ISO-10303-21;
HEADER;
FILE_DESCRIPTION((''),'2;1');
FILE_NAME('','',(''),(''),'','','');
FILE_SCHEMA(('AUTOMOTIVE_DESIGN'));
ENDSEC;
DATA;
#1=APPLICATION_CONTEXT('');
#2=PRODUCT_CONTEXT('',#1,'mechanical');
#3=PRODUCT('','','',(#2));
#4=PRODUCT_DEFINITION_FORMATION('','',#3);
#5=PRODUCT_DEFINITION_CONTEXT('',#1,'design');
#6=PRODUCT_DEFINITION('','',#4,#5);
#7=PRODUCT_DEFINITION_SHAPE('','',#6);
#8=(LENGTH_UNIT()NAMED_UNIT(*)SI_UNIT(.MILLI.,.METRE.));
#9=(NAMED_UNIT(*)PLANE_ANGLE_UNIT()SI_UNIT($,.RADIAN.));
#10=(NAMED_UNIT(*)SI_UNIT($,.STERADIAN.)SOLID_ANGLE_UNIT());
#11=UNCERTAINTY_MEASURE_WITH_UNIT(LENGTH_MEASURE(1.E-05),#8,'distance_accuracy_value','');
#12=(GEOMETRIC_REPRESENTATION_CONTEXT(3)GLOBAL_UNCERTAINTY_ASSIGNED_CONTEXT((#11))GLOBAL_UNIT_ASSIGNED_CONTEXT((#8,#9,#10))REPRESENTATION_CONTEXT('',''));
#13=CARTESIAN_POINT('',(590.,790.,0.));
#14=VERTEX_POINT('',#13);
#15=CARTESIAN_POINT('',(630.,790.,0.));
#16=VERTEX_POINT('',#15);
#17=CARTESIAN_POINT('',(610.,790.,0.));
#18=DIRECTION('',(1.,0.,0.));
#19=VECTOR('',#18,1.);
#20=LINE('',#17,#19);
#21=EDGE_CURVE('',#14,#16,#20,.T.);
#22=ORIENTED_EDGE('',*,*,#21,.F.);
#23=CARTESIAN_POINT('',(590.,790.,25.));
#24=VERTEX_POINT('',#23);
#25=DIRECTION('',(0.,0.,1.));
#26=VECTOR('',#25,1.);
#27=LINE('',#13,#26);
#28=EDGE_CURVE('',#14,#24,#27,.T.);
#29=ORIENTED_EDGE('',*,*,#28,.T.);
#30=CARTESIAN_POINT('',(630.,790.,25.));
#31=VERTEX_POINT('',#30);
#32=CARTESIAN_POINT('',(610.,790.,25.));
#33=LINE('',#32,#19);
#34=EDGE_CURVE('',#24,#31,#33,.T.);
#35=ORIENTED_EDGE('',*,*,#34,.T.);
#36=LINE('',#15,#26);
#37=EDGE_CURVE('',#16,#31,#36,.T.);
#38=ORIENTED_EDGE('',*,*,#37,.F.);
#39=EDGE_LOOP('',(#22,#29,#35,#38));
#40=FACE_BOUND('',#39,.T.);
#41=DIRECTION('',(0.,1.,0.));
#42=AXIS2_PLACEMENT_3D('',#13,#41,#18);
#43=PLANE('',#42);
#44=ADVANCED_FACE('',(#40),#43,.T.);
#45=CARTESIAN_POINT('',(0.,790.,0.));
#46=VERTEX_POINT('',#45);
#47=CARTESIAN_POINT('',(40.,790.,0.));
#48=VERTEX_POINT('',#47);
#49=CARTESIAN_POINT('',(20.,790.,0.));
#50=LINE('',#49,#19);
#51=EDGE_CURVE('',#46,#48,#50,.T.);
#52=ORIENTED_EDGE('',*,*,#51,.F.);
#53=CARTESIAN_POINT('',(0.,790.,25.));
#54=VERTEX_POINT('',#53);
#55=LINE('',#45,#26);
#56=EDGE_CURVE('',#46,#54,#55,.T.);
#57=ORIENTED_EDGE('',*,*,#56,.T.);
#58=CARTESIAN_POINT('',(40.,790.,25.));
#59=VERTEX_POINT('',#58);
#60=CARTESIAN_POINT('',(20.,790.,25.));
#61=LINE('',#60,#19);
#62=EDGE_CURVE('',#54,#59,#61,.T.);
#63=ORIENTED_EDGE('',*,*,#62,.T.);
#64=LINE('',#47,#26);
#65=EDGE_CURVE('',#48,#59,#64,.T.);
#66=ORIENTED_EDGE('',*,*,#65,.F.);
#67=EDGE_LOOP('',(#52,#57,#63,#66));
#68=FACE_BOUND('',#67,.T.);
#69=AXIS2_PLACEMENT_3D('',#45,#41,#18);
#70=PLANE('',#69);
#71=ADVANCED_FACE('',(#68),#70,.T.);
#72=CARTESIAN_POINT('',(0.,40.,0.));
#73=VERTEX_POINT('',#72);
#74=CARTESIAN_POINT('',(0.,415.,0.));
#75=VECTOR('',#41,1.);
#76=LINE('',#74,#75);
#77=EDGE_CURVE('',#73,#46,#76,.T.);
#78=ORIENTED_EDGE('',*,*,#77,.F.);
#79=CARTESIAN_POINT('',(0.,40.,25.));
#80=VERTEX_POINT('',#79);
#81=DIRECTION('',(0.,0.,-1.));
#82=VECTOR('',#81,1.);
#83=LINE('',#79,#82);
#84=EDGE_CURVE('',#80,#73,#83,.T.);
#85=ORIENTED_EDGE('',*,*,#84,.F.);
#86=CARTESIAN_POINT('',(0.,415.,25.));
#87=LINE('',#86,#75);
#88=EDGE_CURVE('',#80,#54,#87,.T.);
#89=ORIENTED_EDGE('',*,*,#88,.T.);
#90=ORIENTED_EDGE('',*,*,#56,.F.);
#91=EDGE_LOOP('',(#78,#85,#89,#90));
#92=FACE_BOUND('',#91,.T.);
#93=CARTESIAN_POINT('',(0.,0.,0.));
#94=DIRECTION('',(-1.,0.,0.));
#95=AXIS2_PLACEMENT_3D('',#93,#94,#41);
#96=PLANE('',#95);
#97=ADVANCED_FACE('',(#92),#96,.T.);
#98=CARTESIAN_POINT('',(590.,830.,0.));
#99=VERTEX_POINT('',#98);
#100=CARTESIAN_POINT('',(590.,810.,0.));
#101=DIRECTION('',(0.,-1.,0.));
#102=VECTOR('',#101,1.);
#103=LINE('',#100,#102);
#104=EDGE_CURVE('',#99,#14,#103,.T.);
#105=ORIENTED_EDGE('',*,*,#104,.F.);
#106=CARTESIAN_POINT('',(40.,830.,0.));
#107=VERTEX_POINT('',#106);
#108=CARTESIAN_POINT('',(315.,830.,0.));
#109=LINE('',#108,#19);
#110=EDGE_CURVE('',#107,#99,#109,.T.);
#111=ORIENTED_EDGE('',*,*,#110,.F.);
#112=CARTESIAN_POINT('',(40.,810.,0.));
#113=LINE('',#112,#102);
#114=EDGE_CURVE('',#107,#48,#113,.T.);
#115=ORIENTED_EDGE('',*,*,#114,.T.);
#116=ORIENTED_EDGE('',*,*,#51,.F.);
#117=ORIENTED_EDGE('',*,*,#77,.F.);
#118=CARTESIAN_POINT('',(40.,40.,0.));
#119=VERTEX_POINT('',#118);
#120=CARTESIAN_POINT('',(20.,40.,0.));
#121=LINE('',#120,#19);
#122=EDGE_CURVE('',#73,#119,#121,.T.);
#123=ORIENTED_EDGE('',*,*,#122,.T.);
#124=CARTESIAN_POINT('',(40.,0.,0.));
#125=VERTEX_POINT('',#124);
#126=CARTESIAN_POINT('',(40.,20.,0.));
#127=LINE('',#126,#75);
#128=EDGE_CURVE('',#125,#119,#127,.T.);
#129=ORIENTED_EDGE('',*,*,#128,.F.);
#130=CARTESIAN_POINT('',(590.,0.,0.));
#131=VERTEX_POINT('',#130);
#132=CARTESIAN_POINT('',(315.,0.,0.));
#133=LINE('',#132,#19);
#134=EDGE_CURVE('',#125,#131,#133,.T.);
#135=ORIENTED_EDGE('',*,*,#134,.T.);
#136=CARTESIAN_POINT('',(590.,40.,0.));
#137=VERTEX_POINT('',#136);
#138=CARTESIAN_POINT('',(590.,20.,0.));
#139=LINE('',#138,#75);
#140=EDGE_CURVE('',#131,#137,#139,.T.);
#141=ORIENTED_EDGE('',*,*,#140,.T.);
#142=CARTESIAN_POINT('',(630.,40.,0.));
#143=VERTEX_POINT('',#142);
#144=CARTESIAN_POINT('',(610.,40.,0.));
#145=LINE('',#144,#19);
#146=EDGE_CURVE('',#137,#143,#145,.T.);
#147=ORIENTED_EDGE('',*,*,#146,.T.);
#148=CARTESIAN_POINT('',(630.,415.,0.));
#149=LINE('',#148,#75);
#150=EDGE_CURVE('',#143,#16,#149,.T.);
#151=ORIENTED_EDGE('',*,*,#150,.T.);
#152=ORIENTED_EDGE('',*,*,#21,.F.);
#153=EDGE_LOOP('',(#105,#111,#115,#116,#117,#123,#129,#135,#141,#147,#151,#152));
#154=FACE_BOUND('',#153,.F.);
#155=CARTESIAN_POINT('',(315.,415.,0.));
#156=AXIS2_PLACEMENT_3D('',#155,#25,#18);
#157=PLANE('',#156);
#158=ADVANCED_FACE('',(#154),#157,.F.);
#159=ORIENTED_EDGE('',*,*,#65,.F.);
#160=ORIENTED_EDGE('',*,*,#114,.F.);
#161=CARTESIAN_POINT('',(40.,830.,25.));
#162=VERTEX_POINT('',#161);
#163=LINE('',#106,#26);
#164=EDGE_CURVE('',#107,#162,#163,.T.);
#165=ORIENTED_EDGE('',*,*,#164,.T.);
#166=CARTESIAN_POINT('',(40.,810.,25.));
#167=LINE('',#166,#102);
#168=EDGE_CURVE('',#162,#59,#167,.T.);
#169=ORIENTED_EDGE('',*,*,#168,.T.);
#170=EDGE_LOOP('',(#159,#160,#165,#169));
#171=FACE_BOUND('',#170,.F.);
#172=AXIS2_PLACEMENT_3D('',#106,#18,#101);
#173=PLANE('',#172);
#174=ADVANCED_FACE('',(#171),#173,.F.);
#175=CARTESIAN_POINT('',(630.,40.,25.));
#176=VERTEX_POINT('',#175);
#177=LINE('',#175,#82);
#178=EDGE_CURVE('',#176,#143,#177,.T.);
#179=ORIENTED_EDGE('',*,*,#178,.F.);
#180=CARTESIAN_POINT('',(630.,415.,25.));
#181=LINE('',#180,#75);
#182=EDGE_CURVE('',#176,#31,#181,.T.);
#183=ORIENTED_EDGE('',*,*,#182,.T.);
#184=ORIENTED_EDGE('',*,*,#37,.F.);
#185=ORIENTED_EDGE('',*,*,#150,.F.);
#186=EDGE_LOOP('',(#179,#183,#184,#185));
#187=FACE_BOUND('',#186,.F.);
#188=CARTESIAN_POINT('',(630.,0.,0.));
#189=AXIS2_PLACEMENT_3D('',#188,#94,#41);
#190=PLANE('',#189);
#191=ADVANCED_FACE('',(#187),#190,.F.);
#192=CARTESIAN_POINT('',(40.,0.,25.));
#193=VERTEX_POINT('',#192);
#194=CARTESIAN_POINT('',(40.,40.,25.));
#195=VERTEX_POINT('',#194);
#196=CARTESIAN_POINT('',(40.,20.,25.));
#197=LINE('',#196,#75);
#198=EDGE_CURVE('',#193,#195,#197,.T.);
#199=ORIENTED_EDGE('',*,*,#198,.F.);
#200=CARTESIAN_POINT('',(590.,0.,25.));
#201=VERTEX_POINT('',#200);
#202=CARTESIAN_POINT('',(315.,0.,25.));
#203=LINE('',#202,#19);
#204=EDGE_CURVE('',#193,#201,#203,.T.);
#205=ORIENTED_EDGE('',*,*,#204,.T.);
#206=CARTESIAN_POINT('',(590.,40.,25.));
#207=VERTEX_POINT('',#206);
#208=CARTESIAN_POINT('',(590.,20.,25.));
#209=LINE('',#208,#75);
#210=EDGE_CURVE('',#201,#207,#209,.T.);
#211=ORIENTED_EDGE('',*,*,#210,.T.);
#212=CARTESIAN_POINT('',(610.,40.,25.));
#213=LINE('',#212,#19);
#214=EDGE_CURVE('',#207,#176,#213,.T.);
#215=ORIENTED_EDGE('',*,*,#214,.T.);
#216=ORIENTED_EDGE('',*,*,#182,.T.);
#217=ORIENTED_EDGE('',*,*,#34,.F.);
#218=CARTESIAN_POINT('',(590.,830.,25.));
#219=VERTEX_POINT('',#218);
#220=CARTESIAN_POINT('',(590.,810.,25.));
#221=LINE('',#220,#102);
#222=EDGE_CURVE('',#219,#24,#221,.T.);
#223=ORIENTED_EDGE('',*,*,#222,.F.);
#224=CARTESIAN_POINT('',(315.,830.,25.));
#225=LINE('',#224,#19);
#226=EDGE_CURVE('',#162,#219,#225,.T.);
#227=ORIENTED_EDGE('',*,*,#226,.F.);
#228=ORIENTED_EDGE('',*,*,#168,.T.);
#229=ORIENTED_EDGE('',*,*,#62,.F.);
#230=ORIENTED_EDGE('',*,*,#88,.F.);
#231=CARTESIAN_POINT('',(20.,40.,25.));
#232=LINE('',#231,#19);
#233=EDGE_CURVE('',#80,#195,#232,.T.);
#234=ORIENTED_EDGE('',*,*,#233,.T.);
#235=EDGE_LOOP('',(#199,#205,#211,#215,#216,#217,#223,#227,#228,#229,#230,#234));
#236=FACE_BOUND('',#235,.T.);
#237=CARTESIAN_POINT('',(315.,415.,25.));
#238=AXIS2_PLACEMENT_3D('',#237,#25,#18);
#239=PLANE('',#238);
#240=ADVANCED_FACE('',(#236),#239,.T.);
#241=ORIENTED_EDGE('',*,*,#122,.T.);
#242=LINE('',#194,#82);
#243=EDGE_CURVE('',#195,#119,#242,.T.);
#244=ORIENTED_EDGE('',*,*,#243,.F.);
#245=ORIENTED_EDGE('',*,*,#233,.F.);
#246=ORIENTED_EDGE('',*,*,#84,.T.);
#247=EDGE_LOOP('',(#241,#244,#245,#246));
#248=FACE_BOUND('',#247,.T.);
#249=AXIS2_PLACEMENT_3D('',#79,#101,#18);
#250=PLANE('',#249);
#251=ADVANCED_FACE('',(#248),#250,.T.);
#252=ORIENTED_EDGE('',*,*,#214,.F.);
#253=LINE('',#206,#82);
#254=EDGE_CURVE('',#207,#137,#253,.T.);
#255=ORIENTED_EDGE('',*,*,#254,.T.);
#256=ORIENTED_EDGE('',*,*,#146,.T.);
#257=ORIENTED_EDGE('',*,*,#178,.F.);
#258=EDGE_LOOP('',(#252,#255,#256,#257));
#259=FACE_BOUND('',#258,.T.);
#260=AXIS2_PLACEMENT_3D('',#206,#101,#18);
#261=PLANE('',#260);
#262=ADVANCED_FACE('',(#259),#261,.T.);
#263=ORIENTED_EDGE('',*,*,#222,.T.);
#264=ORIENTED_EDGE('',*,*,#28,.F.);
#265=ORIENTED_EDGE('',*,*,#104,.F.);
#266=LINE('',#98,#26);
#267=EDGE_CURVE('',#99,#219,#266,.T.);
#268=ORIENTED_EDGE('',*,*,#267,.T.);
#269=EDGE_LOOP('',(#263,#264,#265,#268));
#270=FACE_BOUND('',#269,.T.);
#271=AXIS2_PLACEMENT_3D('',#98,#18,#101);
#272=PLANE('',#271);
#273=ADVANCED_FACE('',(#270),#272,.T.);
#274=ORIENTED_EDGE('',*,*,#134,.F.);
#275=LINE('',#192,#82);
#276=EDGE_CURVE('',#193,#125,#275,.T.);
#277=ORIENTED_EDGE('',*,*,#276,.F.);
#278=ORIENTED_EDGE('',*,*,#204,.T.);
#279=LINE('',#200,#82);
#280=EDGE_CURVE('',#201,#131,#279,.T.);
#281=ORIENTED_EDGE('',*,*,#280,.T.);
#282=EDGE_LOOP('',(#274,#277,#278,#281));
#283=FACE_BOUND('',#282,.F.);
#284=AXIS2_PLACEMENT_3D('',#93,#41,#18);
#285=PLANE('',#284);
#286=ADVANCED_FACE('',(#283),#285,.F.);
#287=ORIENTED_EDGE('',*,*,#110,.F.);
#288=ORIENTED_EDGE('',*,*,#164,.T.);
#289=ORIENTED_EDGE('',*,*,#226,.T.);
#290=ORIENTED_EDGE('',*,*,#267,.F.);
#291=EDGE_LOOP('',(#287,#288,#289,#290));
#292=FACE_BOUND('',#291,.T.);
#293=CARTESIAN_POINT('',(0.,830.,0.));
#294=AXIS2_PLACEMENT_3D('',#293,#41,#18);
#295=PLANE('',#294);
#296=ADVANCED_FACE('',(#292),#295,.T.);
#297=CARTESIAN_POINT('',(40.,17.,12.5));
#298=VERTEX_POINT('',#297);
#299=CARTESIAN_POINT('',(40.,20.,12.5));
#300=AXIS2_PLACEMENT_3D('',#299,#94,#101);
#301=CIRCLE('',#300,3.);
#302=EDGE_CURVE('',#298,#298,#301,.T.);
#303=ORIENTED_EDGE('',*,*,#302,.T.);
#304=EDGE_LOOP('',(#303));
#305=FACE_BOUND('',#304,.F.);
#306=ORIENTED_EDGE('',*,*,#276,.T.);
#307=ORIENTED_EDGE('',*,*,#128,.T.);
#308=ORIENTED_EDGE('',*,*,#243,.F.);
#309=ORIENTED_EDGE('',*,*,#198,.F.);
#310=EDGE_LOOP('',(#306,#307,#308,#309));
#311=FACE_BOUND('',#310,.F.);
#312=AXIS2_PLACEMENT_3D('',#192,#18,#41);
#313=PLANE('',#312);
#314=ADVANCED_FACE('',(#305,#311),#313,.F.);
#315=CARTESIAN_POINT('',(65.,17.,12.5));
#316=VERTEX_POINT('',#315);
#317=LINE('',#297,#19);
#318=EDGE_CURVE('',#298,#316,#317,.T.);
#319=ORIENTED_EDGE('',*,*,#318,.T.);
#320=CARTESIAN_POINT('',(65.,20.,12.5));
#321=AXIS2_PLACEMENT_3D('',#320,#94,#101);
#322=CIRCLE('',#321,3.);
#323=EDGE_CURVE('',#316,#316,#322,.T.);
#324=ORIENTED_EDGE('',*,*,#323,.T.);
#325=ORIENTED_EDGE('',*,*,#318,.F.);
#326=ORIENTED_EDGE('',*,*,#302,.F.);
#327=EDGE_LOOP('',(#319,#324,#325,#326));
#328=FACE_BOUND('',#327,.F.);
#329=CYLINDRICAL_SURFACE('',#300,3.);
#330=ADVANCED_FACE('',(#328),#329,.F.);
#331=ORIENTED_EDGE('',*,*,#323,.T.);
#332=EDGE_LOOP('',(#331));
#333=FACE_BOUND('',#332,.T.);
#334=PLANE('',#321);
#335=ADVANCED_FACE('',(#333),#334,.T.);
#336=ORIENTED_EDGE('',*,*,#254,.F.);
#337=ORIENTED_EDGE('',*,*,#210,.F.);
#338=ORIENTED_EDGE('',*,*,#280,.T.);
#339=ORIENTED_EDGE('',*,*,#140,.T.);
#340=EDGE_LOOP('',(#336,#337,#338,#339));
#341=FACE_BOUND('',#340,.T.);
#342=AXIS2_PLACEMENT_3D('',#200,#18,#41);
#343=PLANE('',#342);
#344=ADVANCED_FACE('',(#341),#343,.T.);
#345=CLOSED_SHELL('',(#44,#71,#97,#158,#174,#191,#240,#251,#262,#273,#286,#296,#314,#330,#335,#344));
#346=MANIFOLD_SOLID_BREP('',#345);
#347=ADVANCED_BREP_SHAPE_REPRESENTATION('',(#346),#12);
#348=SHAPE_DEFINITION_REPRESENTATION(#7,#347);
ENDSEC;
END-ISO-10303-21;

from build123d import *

# Parameters (mm, degrees)
F0_W      = 630
F0_H      = 830
F1_DEPTH  = 25
F2_W      = 40
F2_H      = 40
F3_DEPTH  = 25
F4_W      = 40
F4_H      = 40
F5_DEPTH  = 25
F6_W      = 40
F6_H      = 40
F7_DEPTH  = 25
F8_W      = 40
F8_H      = 40
F9_DEPTH  = 25
F10_R     = 3
F11_DEPTH = 25


with BuildPart() as f1:
    # F0 (on Top) → F1 (new body)
    with BuildSketch(Plane.XY):
        with Locations((315, 415)):
            Rectangle(F0_W, F0_H)
    extrude(amount=F1_DEPTH)

    # F2 (on face) → F3 (cut)
    with BuildSketch(Plane.XY.offset(25)):
        with Locations((610, 20)):
            Rectangle(F2_W, F2_H)
    extrude(amount=-F3_DEPTH, mode=Mode.SUBTRACT)

    # F4 (on face) → F5 (cut)
    with BuildSketch(Plane.XY.offset(25)):
        with Locations((20, 20)):
            Rectangle(F4_W, F4_H)
    extrude(amount=-F5_DEPTH, mode=Mode.SUBTRACT)

    # F6 (on face) → F7 (cut)
    with BuildSketch(Plane(origin=(0, 0, 0), x_dir=(1, 0, 0), z_dir=(0, 0, -1))):
        with Locations((20, -810)):
            Rectangle(F6_W, F6_H)
    extrude(amount=-F7_DEPTH, mode=Mode.SUBTRACT)

    # F8 (on face) → F9 (cut)
    with BuildSketch(Plane(origin=(0, 0, 0), x_dir=(1, 0, 0), z_dir=(0, 0, -1))):
        with Locations((610, -810)):
            Rectangle(F8_W, F8_H)
    extrude(amount=-F9_DEPTH, mode=Mode.SUBTRACT)

    # F10 (on face) → F11 (cut)
    with BuildSketch(Plane(origin=(40, 0, 0), x_dir=(0, -1, 0), z_dir=(-1, 0, 0))):
        with Locations((-20, 12.5)):
            Circle(F10_R)
    extrude(amount=-F11_DEPTH, mode=Mode.SUBTRACT)


solid = f1.part
